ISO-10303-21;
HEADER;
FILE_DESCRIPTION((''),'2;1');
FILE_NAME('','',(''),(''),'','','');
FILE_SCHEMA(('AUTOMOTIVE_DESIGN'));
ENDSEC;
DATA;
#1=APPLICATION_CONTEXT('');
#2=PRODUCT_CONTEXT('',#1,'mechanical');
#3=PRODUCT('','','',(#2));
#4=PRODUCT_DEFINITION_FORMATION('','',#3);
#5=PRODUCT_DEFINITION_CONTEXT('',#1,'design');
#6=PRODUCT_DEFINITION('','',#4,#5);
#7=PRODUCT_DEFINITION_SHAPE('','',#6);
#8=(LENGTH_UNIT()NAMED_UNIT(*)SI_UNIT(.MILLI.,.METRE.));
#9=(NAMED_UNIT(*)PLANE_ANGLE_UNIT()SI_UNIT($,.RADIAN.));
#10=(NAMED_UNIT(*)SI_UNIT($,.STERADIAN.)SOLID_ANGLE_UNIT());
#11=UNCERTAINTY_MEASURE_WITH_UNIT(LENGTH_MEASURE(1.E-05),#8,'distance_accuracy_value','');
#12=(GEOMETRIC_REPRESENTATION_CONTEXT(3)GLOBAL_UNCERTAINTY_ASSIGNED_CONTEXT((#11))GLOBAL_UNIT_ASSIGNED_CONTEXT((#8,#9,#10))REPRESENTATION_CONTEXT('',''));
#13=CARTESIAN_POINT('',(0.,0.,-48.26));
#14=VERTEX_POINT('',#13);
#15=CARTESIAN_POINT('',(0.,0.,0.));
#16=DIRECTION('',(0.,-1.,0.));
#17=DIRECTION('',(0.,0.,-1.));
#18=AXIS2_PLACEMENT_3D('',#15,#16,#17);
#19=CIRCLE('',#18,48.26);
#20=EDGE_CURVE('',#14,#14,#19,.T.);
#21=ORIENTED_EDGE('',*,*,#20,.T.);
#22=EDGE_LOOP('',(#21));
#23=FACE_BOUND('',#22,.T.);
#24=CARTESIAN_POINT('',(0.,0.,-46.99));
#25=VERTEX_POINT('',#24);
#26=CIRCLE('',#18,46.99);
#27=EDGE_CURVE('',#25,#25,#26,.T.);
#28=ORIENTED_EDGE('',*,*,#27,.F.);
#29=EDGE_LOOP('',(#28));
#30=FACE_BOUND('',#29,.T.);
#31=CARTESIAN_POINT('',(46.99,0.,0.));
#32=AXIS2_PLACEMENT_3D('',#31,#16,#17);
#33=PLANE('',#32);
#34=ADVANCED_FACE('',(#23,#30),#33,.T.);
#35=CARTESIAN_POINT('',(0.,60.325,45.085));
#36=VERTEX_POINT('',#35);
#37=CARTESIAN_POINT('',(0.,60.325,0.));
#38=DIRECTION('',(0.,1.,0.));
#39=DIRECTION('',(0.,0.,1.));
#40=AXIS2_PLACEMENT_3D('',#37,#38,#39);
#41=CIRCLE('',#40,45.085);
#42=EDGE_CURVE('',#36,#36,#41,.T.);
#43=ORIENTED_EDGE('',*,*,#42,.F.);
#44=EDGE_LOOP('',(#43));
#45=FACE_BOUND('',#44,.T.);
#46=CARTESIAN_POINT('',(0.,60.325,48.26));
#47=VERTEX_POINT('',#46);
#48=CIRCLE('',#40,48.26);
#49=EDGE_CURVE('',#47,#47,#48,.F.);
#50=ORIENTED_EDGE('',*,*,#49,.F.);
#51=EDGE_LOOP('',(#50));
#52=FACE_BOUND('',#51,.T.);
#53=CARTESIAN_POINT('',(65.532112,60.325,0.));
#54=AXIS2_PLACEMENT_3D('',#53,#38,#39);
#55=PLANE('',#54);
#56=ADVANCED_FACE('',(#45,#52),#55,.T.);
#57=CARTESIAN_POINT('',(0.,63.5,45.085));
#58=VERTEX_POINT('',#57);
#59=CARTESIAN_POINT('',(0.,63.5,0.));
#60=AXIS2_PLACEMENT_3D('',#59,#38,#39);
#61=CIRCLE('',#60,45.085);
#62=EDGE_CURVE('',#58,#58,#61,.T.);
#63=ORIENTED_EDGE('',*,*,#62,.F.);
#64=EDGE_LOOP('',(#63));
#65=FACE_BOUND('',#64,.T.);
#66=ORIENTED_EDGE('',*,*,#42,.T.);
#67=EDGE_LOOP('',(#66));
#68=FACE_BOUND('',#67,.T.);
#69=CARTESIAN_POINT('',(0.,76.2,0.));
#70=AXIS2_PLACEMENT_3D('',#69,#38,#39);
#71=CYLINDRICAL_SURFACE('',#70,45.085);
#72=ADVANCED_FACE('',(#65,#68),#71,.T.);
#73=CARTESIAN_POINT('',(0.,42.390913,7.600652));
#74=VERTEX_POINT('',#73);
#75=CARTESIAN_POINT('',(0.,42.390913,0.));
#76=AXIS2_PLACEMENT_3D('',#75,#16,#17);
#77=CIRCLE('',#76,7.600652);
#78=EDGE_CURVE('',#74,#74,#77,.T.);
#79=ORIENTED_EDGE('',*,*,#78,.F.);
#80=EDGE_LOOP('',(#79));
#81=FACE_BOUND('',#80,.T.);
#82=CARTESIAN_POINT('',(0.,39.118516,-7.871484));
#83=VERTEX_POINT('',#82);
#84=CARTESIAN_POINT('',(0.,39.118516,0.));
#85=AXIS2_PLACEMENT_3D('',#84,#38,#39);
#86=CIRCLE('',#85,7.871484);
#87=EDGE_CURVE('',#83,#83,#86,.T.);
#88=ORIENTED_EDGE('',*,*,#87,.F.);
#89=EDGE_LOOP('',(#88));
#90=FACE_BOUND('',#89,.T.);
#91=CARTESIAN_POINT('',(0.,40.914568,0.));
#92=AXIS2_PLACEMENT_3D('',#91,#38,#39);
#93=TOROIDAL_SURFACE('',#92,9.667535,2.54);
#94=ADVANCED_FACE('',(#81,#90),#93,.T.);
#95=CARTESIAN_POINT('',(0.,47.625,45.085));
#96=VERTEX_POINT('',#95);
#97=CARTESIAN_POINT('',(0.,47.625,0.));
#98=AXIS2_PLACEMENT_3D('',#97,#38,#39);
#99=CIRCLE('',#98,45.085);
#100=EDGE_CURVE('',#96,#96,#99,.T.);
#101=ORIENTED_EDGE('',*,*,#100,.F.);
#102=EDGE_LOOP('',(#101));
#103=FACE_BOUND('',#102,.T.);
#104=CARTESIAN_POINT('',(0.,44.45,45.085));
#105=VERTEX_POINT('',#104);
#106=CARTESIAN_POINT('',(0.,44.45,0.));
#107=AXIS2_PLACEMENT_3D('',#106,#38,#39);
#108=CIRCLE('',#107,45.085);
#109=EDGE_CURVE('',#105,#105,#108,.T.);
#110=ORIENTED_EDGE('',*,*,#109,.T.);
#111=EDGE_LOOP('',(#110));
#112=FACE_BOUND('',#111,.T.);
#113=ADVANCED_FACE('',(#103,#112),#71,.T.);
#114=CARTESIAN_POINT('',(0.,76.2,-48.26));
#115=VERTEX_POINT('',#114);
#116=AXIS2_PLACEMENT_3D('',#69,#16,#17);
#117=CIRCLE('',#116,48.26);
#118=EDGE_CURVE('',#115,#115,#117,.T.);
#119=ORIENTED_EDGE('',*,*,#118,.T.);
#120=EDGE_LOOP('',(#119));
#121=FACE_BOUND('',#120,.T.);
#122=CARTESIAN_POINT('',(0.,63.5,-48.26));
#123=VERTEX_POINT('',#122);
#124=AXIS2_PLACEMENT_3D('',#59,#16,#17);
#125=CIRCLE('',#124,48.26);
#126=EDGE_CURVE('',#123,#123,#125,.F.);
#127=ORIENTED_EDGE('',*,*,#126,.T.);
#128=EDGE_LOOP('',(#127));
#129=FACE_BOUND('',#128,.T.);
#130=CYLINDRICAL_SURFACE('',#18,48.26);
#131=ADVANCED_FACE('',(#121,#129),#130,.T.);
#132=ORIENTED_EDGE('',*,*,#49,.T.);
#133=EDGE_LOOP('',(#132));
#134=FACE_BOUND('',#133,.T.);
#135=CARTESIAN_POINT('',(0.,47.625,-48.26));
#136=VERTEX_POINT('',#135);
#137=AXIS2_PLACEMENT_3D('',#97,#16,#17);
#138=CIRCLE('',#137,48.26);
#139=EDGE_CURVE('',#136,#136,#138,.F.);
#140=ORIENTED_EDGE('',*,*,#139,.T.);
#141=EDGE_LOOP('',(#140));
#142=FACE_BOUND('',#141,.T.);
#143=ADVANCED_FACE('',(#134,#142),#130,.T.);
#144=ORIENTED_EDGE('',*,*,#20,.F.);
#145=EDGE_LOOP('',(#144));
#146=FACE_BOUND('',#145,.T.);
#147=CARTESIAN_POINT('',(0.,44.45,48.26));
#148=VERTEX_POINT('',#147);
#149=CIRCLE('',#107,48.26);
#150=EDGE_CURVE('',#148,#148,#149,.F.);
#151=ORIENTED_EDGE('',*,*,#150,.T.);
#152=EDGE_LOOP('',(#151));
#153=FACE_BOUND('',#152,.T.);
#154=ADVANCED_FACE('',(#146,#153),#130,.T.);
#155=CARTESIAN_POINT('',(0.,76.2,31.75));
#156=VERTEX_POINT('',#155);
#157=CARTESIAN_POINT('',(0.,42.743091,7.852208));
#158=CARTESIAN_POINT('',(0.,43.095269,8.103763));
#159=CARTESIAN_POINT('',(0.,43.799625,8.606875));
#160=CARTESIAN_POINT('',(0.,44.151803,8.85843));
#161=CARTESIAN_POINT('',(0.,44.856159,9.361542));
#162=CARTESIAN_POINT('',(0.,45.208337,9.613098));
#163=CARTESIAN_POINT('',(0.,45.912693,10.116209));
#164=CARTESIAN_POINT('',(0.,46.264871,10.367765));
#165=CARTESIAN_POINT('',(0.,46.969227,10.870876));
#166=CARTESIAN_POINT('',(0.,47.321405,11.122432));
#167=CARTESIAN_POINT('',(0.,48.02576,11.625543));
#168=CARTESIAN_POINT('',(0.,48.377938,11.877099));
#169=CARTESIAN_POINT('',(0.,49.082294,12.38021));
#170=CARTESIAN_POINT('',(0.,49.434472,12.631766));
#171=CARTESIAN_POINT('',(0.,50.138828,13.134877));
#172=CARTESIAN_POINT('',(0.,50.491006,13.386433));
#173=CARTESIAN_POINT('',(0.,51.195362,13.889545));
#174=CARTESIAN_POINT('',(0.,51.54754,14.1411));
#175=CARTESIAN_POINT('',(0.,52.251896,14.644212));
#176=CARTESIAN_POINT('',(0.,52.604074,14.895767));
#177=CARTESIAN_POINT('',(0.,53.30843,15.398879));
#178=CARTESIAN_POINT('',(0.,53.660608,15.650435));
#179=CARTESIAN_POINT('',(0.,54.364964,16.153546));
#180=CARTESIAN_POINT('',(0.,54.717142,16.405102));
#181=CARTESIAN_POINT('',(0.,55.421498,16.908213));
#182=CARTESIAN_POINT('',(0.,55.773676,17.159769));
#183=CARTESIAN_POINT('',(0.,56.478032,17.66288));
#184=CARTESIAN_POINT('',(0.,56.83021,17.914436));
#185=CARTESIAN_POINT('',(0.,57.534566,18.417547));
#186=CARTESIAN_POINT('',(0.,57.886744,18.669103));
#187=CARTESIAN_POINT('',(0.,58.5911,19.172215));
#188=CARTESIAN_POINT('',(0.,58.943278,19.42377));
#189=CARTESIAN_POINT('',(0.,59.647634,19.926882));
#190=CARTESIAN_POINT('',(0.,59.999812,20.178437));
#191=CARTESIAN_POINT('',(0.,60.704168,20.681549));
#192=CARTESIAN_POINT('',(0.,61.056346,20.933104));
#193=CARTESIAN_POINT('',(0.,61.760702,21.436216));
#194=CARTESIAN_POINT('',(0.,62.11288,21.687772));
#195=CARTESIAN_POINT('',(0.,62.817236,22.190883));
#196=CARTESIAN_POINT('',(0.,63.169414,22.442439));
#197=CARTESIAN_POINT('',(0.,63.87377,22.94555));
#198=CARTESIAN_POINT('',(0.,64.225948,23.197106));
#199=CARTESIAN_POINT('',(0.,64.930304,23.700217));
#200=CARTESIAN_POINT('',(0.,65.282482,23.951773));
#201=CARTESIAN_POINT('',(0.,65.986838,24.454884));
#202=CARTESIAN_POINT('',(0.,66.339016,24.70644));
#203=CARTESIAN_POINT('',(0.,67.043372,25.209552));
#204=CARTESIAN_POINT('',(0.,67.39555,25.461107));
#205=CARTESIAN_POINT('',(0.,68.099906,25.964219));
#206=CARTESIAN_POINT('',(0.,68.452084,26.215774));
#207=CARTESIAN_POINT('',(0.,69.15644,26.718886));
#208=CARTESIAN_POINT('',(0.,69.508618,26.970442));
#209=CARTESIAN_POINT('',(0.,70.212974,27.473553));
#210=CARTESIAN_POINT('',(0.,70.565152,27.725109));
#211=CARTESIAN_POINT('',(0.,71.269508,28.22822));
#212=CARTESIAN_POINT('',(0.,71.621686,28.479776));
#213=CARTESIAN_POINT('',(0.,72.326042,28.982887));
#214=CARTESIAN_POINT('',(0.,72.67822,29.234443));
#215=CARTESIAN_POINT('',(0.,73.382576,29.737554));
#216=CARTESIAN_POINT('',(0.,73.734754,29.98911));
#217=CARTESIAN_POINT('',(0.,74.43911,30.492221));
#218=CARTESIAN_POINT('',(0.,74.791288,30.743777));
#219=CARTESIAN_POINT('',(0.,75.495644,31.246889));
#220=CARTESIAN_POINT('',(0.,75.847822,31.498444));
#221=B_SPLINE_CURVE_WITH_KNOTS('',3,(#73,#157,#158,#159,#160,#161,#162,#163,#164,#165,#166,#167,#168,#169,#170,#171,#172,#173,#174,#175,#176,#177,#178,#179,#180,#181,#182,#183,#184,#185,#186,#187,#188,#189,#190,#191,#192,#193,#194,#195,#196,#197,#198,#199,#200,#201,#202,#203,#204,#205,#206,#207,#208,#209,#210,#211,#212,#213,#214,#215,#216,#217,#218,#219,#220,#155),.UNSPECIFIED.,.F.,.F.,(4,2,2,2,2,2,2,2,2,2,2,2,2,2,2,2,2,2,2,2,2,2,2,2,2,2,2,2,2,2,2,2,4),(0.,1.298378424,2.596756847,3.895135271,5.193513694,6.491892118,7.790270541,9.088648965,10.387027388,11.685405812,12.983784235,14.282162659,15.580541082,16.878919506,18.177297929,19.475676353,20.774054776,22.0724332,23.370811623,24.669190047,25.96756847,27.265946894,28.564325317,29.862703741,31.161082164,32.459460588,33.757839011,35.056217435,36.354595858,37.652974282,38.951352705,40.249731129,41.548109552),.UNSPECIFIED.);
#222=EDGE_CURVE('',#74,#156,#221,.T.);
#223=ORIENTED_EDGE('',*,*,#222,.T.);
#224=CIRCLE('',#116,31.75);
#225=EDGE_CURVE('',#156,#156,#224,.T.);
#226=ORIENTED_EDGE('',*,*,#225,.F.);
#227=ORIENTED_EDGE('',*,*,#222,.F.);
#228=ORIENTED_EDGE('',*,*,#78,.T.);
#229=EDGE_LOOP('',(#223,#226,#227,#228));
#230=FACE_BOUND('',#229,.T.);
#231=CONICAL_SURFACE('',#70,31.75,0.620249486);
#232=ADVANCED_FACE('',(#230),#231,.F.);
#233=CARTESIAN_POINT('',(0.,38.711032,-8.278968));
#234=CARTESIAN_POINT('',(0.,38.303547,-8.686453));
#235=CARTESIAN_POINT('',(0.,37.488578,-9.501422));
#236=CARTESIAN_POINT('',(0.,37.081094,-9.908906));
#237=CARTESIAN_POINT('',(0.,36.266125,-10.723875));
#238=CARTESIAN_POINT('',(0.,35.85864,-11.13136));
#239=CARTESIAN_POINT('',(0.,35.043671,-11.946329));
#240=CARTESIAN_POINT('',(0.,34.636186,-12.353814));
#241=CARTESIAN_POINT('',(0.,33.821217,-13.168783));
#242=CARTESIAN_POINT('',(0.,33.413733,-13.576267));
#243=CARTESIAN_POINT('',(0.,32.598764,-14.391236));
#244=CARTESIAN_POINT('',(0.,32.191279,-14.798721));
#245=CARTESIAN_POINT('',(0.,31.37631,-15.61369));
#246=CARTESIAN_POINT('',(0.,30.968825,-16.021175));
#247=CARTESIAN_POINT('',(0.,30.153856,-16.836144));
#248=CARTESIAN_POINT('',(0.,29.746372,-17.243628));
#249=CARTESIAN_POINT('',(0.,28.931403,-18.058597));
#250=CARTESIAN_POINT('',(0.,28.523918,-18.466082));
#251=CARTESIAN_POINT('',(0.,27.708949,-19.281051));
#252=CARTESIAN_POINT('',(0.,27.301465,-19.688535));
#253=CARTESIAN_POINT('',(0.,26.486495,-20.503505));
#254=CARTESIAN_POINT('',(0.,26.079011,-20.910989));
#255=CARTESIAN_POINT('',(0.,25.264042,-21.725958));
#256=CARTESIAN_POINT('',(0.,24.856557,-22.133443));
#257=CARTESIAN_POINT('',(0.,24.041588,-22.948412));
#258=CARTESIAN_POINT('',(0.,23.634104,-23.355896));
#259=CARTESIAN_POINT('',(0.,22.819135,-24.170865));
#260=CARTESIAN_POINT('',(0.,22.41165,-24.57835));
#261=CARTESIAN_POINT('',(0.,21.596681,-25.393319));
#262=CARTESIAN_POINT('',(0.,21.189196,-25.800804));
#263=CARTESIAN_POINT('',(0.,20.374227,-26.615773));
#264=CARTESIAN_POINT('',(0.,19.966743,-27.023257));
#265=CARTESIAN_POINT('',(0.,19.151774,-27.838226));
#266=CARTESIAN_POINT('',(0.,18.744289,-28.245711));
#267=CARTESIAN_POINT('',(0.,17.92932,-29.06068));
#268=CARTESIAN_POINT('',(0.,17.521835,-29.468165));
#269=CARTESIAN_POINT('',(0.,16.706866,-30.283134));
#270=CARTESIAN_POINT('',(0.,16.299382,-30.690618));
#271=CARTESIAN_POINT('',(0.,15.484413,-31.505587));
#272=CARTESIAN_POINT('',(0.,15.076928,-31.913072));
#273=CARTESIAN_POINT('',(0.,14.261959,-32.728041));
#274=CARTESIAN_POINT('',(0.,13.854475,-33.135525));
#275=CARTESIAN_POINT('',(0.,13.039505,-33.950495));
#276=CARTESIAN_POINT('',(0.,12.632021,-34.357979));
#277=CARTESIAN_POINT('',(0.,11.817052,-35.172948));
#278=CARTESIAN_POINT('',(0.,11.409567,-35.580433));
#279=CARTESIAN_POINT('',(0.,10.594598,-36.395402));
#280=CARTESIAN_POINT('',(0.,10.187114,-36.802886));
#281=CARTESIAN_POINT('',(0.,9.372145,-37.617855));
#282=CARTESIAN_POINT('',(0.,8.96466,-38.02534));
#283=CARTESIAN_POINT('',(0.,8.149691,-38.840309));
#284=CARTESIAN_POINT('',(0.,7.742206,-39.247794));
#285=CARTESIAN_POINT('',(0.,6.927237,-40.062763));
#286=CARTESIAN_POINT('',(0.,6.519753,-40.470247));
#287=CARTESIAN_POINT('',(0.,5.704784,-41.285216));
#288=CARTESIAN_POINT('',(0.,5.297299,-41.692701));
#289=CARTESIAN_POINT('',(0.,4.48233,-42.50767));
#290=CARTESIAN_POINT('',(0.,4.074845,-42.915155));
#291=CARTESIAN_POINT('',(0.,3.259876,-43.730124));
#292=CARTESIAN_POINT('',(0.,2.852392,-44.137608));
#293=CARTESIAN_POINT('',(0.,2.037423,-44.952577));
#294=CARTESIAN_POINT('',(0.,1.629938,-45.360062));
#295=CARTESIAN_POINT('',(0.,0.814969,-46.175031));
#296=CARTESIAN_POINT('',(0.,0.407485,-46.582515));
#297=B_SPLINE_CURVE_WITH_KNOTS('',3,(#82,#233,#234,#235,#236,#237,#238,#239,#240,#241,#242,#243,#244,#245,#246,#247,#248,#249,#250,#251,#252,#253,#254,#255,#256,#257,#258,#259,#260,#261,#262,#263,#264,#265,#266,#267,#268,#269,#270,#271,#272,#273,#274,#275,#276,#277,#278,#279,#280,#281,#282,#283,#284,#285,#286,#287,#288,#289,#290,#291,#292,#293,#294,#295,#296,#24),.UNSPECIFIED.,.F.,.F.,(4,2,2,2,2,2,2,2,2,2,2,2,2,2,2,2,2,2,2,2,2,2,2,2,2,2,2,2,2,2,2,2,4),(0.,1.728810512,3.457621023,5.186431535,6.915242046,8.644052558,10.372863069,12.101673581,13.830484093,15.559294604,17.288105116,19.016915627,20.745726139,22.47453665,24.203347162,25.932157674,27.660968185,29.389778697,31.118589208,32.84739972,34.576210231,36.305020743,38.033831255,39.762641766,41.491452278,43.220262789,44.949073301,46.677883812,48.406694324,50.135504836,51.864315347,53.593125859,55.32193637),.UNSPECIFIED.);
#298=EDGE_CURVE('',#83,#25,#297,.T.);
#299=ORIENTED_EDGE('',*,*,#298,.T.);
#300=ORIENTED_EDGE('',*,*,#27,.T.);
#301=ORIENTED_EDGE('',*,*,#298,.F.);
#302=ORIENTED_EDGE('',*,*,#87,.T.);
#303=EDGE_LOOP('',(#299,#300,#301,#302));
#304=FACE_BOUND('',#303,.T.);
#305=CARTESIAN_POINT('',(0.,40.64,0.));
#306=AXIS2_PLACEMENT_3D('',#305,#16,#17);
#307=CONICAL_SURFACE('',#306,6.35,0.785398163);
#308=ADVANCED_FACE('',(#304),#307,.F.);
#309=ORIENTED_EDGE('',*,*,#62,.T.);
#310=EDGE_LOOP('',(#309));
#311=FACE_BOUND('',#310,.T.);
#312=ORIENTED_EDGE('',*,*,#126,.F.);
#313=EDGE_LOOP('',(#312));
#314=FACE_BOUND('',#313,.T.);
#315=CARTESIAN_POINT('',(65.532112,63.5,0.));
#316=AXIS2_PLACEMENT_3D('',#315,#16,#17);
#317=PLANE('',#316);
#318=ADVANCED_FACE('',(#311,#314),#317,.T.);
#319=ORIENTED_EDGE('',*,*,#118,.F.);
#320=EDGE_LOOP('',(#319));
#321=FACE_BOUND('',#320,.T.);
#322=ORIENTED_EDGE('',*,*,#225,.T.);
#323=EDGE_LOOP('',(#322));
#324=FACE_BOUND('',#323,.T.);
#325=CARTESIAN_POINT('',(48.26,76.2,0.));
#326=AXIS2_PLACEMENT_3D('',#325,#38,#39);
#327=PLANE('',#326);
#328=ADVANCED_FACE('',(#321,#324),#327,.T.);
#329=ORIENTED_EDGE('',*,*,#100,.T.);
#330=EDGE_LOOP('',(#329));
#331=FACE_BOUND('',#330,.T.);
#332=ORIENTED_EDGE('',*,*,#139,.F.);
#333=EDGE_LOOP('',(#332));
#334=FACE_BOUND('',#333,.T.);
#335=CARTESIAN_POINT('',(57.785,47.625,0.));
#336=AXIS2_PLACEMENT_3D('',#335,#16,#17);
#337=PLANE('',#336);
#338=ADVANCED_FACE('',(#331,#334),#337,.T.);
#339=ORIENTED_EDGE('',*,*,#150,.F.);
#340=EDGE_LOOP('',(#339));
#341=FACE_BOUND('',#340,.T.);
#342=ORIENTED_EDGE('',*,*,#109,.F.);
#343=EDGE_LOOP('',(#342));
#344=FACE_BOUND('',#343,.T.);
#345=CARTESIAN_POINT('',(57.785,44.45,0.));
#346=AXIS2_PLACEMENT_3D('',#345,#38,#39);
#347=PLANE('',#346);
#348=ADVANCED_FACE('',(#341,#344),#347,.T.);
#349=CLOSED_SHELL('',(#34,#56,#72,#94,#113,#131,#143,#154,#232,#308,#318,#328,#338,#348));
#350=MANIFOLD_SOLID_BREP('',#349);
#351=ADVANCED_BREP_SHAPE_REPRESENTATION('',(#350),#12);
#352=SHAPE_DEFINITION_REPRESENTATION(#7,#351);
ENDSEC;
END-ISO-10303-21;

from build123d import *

# Parameters (mm, degrees)
FILLET1_R   = 2.54
SKETCH3_W   = 20.447112079
SKETCH3_H   = 3.175
SKETCH3_W_2 = 12.7


with BuildPart() as part:
    # Sketch2 → Revolve1 (revolve)
    with BuildSketch(Plane.XY, mode=Mode.PRIVATE) as revolve1_sk:
        Polygon((48.26, 0), (48.26, 76.2), (31.75, 76.2), (6.35, 40.64), (46.99, 0), align=None)
    revolve(revolve1_sk.sketch.rotate(Axis((0, 0, 0), (0, 1, 0)), 90), axis=Axis((0, 0, 0), (0, 1, 0)))

    # Fillet1
    fillet1_edges = [part.edges().sort_by_distance(p)[0] for p in [
        (0, 40.64, 6.35),
    ]]
    fillet(fillet1_edges, radius=FILLET1_R)

    # Sketch3 → Cut-Revolve1 (revolve, cut)
    with BuildSketch(Plane.XY, mode=Mode.PRIVATE) as cut_revolve1_sk:
        with Locations((55.30855604, 61.9125)):
            Rectangle(SKETCH3_W, SKETCH3_H)
        with Locations((51.435, 46.0375)):
            Rectangle(SKETCH3_W_2, SKETCH3_H)
    revolve(cut_revolve1_sk.sketch.rotate(Axis((0, 0, 0), (0, -1, 0)), 90), axis=Axis((0, 0, 0), (0, -1, 0)), mode=Mode.SUBTRACT)


solid = part.part
